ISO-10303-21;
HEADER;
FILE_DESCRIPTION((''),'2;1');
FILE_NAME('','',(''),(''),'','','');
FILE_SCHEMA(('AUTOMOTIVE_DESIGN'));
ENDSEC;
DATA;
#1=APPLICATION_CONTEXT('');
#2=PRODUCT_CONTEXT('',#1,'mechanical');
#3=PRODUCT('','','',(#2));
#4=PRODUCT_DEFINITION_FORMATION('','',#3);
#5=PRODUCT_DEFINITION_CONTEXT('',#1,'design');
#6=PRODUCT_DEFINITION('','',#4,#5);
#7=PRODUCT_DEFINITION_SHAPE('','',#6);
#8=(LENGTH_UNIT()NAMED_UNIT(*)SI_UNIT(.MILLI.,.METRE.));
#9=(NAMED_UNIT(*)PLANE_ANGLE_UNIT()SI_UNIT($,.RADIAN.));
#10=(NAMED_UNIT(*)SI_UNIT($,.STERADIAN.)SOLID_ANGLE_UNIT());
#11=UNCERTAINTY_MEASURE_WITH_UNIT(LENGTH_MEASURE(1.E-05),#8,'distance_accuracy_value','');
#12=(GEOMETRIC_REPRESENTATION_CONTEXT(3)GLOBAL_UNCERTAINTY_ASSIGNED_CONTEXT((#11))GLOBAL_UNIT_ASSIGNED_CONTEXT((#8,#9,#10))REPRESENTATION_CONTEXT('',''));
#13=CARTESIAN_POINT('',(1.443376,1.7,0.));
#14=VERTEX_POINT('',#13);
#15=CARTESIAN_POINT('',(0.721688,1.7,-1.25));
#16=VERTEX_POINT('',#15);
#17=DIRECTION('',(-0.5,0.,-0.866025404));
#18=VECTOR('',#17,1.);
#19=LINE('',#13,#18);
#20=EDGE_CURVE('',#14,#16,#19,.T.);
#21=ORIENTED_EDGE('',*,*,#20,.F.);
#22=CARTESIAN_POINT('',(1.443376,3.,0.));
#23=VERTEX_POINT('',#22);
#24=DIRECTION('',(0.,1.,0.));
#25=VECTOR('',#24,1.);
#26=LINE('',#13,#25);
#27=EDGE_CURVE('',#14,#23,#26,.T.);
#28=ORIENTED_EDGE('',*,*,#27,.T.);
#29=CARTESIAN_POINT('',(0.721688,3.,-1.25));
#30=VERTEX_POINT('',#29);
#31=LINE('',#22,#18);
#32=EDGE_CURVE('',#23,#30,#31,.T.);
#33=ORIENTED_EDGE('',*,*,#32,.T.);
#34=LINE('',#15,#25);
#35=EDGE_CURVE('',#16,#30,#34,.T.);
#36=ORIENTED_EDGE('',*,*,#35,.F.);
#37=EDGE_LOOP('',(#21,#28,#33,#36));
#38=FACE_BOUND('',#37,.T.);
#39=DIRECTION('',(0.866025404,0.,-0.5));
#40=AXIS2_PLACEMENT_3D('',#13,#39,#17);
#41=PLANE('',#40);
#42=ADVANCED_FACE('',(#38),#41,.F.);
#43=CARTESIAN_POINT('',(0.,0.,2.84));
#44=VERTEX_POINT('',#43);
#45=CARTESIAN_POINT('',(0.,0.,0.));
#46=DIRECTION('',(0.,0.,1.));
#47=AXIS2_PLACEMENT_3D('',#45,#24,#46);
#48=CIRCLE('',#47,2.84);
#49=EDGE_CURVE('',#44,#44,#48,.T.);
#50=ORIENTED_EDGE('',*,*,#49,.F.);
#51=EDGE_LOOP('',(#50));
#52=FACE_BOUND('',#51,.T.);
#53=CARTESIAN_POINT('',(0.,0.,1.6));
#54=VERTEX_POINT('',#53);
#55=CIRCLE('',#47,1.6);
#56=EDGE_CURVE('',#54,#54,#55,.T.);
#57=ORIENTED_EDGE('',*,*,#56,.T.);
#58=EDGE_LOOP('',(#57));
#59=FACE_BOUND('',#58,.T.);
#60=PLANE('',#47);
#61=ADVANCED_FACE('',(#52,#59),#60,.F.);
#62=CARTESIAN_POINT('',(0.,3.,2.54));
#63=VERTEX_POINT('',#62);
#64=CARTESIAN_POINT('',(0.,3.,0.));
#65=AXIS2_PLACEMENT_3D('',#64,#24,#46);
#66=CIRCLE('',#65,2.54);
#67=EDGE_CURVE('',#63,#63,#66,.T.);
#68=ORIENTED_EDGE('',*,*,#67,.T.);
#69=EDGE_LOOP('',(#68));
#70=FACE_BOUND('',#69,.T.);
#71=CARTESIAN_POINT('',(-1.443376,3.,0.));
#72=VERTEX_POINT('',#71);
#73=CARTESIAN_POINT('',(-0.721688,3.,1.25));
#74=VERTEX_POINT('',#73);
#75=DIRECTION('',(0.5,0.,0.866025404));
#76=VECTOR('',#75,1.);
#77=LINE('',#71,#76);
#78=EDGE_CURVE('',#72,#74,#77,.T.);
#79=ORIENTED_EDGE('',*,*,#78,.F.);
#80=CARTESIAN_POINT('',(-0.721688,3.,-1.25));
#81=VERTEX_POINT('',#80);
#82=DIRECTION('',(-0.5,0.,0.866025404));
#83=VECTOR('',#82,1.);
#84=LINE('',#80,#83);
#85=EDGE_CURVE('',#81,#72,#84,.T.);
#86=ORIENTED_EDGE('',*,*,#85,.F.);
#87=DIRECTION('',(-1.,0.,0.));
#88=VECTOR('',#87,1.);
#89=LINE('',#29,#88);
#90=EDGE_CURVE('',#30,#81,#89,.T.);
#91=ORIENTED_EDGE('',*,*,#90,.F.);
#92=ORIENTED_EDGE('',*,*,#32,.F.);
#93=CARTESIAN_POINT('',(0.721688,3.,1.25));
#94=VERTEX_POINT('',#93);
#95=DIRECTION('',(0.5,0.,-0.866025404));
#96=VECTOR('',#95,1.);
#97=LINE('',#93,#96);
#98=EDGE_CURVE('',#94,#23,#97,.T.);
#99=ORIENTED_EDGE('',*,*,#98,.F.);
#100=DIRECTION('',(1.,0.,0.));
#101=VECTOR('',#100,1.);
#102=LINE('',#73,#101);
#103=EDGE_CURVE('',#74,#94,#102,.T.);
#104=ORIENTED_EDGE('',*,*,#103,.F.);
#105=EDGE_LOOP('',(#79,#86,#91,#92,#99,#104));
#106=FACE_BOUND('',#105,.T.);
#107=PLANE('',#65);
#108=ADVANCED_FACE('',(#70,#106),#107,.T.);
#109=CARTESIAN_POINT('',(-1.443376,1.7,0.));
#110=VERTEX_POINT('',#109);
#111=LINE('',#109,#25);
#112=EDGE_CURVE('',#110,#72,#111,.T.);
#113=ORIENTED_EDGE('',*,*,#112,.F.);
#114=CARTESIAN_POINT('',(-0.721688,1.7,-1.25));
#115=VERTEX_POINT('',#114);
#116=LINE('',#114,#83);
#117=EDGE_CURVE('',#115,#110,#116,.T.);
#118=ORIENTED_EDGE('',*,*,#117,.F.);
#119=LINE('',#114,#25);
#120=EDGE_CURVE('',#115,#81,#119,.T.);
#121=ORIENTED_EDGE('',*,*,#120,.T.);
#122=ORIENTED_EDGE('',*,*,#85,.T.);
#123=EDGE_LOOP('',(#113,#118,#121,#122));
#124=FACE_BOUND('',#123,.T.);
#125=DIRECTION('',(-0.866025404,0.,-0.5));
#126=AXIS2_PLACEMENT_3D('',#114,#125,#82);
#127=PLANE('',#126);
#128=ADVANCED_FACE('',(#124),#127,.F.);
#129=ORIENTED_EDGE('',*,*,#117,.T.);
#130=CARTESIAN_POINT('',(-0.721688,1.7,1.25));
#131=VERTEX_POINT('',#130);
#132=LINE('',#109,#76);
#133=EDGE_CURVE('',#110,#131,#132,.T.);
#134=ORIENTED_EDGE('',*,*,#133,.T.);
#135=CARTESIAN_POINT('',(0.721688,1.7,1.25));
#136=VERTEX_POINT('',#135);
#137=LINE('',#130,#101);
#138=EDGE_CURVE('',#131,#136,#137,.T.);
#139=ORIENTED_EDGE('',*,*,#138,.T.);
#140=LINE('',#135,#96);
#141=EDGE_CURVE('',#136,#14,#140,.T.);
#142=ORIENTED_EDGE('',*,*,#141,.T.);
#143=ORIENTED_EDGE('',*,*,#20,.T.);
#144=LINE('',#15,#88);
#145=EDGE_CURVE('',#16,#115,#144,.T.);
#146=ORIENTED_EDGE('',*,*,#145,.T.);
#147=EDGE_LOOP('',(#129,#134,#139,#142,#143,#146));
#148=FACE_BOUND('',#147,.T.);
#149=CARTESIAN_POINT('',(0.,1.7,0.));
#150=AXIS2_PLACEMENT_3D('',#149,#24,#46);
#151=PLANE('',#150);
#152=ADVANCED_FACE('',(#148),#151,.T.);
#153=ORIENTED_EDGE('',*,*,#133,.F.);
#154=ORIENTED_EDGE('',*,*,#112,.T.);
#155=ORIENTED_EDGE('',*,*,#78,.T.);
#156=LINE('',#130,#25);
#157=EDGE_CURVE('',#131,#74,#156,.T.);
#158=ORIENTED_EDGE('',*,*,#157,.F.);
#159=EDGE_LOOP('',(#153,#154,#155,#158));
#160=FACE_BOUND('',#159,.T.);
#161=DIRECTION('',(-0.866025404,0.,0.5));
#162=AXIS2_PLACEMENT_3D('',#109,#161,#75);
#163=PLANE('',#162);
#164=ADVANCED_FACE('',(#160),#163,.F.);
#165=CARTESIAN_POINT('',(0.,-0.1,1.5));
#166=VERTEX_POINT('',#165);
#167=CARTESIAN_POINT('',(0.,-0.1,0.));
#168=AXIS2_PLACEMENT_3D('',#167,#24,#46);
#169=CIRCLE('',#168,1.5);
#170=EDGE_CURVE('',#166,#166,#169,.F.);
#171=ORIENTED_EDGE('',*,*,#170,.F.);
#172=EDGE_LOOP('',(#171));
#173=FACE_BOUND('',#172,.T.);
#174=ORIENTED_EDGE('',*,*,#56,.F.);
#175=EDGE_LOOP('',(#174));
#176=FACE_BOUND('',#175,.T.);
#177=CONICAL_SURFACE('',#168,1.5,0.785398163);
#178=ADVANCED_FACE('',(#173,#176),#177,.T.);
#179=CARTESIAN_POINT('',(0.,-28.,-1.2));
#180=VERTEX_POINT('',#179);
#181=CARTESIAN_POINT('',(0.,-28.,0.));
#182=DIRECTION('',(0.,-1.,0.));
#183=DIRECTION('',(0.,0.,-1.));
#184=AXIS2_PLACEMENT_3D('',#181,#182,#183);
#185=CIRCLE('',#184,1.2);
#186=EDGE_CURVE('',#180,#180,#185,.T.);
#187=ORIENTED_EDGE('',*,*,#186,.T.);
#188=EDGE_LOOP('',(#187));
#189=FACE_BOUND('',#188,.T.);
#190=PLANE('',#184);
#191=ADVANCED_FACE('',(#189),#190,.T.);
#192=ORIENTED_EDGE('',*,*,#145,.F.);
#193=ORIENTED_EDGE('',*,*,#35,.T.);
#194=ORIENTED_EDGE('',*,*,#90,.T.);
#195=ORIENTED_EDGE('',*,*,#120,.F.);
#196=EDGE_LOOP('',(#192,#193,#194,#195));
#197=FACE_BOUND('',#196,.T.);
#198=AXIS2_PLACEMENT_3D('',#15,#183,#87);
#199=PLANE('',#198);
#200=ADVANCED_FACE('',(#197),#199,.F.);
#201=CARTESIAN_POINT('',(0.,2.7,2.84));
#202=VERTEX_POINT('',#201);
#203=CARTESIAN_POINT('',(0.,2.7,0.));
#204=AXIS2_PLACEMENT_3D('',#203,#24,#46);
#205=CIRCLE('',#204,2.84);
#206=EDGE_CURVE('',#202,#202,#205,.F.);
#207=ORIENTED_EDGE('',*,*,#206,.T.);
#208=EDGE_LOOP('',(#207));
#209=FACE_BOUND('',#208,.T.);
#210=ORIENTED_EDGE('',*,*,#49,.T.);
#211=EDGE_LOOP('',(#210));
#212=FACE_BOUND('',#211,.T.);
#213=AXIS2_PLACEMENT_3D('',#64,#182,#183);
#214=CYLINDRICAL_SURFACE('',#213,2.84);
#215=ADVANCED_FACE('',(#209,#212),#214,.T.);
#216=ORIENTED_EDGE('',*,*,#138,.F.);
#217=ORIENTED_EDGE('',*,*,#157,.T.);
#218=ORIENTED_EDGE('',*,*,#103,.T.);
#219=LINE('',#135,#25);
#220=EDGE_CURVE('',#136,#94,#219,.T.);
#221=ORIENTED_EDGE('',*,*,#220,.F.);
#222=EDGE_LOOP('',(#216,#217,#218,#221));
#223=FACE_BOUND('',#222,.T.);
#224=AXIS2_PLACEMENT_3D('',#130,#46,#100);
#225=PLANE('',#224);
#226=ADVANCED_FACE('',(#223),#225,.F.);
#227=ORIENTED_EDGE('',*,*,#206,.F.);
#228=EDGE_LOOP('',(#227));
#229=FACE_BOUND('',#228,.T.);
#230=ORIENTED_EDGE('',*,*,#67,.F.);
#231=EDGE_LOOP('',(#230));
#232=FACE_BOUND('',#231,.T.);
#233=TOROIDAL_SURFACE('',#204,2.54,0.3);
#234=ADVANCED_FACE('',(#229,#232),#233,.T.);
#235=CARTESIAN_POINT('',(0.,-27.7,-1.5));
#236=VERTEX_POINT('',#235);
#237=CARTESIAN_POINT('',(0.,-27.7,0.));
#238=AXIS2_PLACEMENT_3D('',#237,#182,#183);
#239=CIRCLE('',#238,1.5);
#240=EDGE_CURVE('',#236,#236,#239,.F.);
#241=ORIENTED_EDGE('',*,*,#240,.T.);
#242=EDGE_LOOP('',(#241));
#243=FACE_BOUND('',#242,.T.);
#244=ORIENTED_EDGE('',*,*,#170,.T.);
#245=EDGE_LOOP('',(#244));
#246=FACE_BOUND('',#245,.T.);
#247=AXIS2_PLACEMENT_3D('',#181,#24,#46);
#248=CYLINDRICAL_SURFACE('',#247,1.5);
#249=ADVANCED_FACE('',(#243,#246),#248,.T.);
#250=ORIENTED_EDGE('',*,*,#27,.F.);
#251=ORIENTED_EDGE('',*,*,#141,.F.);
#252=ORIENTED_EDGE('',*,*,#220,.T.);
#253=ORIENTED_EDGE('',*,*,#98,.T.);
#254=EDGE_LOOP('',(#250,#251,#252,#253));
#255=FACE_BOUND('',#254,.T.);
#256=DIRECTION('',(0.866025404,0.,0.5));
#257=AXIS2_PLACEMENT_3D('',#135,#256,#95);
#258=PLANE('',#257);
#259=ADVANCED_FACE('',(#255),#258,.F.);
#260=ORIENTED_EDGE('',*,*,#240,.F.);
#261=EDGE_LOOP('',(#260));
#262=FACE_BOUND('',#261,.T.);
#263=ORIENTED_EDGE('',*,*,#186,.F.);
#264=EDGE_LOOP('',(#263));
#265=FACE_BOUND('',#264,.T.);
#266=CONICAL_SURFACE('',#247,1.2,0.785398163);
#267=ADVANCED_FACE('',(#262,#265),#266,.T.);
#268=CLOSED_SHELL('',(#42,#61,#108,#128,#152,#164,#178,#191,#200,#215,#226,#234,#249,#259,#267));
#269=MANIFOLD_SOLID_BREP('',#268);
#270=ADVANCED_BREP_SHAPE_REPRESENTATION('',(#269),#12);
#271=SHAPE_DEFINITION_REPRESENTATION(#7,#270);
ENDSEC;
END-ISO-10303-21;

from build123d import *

# Parameters (mm, degrees)
SKETCH_1_R          = 2.84
EXTRUDE_1_DEPTH     = 3
CUT_EXTRUDE_1_DEPTH = 1.3
SKETCH_3_R          = 1.5
EXTRUDE_2_DEPTH     = 28
CHAMFER_1_SIZE      = 0.3
FILLET_1_R          = 0.3
CHAMFER_2_SIZE      = 0.1


with BuildPart() as part:
    # 草图1 → 凸台-拉伸1 (new body)
    with BuildSketch(Plane(origin=(0, 0, 0), x_dir=(1, 0, 0), z_dir=(0, 1, 0))):
        Circle(SKETCH_1_R)
    extrude(amount=EXTRUDE_1_DEPTH)

    # 草图2 → 切除-拉伸1 (cut)
    with BuildSketch(Plane(origin=(0, 3, 0), x_dir=(1, 0, 0), z_dir=(0, 1, 0))):
        Polygon((1.443375673, 0), (0.721687836, 1.25), (-0.721687836, 1.25), (-1.443375673, 0), (-0.721687836, -1.25), (0.721687836, -1.25), align=None)
    extrude(amount=-CUT_EXTRUDE_1_DEPTH, mode=Mode.SUBTRACT)

    # 草图3 → 凸台-拉伸2 (add)
    with BuildSketch(Plane.XZ):
        Circle(SKETCH_3_R)
    extrude(amount=EXTRUDE_2_DEPTH)

    # 倒角1
    chamfer_1_edges = [part.edges().sort_by_distance(p)[0] for p in [
        (-1.5, -28, 0),
    ]]
    chamfer(chamfer_1_edges, length=CHAMFER_1_SIZE)

    # 圆角1
    fillet_1_edges = [part.edges().sort_by_distance(p)[0] for p in [
        (-2.84, 3, 0),
    ]]
    fillet(fillet_1_edges, radius=FILLET_1_R)

    # 倒角2
    chamfer_2_edges = [part.edges().sort_by_distance(p)[0] for p in [
        (-1.5, 0, 0),
    ]]
    chamfer(chamfer_2_edges, length=CHAMFER_2_SIZE)


solid = part.part
